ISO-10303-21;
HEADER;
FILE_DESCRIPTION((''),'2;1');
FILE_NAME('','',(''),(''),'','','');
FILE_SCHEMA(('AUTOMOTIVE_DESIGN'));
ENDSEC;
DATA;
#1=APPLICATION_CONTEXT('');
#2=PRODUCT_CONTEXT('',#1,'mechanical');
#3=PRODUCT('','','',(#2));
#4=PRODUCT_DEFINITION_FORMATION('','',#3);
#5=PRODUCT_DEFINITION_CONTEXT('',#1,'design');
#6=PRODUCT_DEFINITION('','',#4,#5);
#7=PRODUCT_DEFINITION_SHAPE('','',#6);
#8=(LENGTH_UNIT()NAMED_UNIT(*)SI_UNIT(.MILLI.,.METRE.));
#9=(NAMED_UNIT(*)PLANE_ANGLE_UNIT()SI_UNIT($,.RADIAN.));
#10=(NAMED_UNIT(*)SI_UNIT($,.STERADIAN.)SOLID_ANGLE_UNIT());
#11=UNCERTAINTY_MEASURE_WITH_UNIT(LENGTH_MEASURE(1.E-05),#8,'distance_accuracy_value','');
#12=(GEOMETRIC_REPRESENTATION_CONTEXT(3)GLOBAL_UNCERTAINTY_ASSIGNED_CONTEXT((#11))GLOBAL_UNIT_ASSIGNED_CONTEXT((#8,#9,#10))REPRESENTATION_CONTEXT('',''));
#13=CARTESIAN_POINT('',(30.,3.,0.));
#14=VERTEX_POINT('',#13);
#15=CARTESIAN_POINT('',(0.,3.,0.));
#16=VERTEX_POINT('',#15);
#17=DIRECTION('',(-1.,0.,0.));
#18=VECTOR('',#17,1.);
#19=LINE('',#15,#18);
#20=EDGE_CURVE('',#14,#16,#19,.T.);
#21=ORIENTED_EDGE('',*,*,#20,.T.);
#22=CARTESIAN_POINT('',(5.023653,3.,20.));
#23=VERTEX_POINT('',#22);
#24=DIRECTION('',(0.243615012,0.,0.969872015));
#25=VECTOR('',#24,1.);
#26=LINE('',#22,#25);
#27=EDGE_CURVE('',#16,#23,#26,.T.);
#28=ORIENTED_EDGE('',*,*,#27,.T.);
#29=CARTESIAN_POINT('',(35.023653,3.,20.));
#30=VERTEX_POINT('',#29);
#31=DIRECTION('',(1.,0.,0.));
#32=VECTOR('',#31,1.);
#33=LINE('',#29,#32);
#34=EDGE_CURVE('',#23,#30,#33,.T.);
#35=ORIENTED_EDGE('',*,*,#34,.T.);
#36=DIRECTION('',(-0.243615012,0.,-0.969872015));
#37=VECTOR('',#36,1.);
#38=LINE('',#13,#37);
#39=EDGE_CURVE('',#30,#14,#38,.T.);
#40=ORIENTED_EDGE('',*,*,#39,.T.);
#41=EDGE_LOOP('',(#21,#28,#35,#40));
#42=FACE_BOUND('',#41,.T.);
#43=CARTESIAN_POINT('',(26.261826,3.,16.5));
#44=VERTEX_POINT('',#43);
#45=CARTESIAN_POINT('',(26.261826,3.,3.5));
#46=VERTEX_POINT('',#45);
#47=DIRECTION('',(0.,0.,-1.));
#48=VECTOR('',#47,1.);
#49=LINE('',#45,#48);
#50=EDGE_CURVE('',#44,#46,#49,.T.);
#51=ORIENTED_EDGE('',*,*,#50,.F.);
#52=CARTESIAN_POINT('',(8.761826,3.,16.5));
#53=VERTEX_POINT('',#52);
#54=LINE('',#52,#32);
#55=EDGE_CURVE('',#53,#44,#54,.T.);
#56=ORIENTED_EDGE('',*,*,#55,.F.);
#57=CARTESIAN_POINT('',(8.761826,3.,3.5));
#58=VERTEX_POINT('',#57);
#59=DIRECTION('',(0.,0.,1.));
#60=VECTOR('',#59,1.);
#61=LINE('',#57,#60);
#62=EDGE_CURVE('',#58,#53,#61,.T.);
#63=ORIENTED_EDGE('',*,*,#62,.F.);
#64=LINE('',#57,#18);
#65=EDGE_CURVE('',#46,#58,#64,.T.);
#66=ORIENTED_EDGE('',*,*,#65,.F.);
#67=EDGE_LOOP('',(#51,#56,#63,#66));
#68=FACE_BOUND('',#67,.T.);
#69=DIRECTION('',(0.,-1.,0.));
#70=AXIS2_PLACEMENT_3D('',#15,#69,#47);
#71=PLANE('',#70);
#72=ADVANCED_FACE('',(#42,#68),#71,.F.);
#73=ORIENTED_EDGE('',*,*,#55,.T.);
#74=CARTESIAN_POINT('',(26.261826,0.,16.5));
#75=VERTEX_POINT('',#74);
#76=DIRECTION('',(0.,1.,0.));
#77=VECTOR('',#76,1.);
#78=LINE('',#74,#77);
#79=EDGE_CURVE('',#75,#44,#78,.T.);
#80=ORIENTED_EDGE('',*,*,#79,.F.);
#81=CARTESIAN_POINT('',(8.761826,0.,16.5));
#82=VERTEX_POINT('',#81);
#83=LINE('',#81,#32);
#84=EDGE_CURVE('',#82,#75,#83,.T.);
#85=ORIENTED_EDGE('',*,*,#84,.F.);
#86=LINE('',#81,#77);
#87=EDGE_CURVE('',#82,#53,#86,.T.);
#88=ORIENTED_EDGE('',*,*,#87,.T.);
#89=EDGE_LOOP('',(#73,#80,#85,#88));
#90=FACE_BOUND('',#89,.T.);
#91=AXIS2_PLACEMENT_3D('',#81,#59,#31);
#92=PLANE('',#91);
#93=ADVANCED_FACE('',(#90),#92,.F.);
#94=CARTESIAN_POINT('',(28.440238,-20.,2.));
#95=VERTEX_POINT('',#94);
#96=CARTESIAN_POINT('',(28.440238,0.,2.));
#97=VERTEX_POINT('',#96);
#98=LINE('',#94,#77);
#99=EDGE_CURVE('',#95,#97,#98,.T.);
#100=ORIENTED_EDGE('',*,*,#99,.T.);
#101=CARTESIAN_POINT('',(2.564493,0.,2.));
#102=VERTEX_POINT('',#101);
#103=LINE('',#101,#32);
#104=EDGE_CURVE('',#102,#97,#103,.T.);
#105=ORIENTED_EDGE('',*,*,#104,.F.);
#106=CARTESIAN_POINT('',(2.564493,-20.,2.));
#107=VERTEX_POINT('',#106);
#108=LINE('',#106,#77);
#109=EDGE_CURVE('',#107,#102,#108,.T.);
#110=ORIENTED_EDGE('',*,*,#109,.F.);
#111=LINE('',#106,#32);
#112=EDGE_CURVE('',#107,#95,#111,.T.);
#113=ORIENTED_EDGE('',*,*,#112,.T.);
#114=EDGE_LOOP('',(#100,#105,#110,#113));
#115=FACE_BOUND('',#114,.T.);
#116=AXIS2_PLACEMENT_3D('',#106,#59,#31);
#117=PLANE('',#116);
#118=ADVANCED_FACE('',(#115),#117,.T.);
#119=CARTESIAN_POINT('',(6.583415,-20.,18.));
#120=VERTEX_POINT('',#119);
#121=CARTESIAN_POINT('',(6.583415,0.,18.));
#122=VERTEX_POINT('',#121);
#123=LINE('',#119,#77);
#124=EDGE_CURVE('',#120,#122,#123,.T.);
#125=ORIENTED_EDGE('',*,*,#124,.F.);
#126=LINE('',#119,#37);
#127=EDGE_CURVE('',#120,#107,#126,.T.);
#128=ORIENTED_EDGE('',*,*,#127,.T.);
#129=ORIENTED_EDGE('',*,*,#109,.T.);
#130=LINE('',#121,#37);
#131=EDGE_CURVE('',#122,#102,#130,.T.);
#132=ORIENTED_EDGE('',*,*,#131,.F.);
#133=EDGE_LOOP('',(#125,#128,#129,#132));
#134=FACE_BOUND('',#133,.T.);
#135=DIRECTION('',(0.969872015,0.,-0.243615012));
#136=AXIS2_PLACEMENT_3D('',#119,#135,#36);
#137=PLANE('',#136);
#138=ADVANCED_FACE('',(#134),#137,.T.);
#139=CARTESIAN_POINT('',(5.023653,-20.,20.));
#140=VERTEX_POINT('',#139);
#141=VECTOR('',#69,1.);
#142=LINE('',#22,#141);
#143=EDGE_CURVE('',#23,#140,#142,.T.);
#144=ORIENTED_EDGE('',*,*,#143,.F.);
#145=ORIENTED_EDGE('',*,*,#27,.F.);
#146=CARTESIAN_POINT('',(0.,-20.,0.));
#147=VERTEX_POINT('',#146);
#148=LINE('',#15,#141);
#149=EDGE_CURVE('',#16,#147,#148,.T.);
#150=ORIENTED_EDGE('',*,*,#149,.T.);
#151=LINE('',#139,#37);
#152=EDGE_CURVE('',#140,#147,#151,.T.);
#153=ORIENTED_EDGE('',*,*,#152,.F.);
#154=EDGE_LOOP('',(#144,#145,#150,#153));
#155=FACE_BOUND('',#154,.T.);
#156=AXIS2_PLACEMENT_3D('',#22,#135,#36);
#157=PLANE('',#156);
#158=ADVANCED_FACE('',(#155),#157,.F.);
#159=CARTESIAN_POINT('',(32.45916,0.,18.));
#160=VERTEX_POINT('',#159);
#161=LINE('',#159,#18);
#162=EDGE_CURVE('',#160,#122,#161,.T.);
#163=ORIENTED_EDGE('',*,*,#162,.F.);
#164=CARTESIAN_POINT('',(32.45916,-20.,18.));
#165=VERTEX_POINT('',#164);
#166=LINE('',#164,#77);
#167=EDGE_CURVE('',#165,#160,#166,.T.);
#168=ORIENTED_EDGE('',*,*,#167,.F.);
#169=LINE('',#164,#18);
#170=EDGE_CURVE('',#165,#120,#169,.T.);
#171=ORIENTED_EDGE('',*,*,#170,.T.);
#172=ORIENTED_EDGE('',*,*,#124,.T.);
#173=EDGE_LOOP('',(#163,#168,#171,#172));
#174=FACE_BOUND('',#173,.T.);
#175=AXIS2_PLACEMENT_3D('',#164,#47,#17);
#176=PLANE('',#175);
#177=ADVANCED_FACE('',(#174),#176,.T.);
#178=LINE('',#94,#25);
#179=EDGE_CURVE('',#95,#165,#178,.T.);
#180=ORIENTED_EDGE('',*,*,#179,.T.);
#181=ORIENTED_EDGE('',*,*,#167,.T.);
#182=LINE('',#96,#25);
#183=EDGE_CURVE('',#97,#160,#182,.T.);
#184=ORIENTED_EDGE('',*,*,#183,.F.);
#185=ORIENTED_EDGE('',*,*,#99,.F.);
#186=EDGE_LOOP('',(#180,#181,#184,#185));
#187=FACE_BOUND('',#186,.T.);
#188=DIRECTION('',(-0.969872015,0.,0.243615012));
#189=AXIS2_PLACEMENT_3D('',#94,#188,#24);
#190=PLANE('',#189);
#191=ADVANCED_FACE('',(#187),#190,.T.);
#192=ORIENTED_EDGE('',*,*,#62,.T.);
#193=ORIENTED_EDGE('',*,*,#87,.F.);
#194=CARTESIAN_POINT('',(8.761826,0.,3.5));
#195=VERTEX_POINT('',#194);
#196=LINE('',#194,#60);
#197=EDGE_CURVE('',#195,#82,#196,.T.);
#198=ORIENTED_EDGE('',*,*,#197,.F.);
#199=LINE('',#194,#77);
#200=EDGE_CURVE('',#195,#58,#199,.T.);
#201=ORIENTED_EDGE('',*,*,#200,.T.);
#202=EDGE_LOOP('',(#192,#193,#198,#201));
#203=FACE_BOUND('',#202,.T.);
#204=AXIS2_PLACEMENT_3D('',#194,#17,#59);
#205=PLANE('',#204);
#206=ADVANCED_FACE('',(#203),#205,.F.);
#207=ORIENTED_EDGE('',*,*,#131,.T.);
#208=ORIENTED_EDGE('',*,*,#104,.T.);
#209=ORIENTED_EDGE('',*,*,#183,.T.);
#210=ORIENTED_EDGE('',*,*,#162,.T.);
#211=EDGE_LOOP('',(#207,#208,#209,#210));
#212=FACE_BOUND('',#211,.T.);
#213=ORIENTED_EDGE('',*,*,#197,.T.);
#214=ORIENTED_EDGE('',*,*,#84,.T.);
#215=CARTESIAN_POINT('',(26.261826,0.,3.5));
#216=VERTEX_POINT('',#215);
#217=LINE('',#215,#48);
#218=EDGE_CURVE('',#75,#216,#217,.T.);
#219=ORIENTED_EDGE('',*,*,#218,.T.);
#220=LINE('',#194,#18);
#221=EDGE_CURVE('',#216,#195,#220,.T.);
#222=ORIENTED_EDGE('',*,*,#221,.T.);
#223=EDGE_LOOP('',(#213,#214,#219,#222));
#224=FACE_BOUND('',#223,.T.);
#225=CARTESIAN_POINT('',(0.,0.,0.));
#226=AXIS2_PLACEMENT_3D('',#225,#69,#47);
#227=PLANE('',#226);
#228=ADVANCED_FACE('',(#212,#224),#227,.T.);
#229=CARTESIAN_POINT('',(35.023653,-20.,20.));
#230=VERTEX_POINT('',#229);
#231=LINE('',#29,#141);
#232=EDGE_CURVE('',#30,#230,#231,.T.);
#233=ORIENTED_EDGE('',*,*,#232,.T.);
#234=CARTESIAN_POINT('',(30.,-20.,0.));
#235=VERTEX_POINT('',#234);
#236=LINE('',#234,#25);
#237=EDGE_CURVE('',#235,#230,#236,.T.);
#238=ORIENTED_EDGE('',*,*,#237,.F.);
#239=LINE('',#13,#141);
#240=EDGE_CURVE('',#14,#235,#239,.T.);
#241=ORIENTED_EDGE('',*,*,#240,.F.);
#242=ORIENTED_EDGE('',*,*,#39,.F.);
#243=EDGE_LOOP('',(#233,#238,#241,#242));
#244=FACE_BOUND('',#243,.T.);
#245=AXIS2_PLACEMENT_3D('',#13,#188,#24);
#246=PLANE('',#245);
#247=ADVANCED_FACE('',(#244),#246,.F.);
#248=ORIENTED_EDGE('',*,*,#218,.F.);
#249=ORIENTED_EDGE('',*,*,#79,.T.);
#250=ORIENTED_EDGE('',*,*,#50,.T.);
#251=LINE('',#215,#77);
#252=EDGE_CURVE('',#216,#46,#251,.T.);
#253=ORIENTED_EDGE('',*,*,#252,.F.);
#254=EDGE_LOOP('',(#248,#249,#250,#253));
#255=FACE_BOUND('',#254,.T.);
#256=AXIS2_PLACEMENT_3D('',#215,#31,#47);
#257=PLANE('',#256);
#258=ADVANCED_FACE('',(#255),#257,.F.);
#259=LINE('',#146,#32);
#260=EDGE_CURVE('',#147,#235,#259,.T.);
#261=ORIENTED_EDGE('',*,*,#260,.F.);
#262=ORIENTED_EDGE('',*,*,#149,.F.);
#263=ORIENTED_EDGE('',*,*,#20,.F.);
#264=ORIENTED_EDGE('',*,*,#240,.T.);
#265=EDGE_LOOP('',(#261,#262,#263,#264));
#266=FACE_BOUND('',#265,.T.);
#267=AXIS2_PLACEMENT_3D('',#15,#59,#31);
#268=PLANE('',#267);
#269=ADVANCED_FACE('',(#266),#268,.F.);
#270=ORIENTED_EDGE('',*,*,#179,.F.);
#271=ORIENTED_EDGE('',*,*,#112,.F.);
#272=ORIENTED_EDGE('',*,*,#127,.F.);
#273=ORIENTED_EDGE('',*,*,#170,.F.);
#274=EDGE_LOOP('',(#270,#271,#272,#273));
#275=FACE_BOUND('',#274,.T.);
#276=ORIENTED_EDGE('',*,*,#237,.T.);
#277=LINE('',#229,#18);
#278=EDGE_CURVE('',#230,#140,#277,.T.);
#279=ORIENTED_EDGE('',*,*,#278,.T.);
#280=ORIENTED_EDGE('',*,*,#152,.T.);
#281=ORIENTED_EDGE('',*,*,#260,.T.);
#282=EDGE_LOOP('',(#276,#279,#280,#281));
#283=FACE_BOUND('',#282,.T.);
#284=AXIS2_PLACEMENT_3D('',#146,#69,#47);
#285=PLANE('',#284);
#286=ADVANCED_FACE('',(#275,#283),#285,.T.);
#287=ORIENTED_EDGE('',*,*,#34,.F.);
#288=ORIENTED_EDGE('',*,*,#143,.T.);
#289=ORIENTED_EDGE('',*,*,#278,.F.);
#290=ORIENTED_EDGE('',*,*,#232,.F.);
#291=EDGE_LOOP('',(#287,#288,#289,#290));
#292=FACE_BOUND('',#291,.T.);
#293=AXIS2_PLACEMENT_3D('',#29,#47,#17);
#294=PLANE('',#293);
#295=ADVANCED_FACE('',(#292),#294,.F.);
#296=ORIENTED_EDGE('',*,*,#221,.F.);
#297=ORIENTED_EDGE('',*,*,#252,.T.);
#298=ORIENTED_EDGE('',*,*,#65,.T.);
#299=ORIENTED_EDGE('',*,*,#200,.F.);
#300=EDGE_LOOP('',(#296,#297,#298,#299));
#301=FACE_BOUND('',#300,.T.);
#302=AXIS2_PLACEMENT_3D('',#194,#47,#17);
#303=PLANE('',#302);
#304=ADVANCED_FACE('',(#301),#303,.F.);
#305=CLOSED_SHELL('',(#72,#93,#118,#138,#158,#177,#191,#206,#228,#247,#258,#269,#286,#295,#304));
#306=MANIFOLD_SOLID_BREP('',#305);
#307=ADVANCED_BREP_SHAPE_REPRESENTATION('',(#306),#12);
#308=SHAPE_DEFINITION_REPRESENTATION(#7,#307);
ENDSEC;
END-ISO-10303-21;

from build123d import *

# Parameters (mm, degrees)
EXTRUDE_1_DEPTH     = 3
SKETCH_2_W          = 17.5
SKETCH_2_H          = 13
CUT_EXTRUDE_1_DEPTH = 41.443247314
EXTRUDE_2_DEPTH     = 20


with BuildPart() as part:
    # Эскиз1 → Бобышка-Вытянуть1 (new body)
    with BuildSketch(Plane(origin=(0, 0, 0), x_dir=(1, 0, 0), z_dir=(0, 1, 0))):
        Polygon((0, 0), (30, 0), (35.02365277, -20), (5.02365277, -20), align=None)
    extrude(amount=EXTRUDE_1_DEPTH)

    # Эскиз2 → Вырез-Вытянуть1 (cut, through all)
    with BuildSketch(Plane(origin=(0, 3, 0), x_dir=(1, 0, 0), z_dir=(0, 1, 0))):
        with Locations((17.511826385, -10)):
            Rectangle(SKETCH_2_W, SKETCH_2_H)
    extrude(amount=-CUT_EXTRUDE_1_DEPTH, mode=Mode.SUBTRACT)

    # Эскиз3 → Бобышка-Вытянуть2 (add)
    with BuildSketch(Plane.XZ):
        Polygon((5.02365277, 20), (0, 0), (30, 0), (35.02365277, 20), align=None)
        Polygon((6.583415246, 18), (2.56449303, 2), (28.440237524, 2), (32.459159739, 18), align=None, mode=Mode.SUBTRACT)
    extrude(amount=EXTRUDE_2_DEPTH)


solid = part.part
